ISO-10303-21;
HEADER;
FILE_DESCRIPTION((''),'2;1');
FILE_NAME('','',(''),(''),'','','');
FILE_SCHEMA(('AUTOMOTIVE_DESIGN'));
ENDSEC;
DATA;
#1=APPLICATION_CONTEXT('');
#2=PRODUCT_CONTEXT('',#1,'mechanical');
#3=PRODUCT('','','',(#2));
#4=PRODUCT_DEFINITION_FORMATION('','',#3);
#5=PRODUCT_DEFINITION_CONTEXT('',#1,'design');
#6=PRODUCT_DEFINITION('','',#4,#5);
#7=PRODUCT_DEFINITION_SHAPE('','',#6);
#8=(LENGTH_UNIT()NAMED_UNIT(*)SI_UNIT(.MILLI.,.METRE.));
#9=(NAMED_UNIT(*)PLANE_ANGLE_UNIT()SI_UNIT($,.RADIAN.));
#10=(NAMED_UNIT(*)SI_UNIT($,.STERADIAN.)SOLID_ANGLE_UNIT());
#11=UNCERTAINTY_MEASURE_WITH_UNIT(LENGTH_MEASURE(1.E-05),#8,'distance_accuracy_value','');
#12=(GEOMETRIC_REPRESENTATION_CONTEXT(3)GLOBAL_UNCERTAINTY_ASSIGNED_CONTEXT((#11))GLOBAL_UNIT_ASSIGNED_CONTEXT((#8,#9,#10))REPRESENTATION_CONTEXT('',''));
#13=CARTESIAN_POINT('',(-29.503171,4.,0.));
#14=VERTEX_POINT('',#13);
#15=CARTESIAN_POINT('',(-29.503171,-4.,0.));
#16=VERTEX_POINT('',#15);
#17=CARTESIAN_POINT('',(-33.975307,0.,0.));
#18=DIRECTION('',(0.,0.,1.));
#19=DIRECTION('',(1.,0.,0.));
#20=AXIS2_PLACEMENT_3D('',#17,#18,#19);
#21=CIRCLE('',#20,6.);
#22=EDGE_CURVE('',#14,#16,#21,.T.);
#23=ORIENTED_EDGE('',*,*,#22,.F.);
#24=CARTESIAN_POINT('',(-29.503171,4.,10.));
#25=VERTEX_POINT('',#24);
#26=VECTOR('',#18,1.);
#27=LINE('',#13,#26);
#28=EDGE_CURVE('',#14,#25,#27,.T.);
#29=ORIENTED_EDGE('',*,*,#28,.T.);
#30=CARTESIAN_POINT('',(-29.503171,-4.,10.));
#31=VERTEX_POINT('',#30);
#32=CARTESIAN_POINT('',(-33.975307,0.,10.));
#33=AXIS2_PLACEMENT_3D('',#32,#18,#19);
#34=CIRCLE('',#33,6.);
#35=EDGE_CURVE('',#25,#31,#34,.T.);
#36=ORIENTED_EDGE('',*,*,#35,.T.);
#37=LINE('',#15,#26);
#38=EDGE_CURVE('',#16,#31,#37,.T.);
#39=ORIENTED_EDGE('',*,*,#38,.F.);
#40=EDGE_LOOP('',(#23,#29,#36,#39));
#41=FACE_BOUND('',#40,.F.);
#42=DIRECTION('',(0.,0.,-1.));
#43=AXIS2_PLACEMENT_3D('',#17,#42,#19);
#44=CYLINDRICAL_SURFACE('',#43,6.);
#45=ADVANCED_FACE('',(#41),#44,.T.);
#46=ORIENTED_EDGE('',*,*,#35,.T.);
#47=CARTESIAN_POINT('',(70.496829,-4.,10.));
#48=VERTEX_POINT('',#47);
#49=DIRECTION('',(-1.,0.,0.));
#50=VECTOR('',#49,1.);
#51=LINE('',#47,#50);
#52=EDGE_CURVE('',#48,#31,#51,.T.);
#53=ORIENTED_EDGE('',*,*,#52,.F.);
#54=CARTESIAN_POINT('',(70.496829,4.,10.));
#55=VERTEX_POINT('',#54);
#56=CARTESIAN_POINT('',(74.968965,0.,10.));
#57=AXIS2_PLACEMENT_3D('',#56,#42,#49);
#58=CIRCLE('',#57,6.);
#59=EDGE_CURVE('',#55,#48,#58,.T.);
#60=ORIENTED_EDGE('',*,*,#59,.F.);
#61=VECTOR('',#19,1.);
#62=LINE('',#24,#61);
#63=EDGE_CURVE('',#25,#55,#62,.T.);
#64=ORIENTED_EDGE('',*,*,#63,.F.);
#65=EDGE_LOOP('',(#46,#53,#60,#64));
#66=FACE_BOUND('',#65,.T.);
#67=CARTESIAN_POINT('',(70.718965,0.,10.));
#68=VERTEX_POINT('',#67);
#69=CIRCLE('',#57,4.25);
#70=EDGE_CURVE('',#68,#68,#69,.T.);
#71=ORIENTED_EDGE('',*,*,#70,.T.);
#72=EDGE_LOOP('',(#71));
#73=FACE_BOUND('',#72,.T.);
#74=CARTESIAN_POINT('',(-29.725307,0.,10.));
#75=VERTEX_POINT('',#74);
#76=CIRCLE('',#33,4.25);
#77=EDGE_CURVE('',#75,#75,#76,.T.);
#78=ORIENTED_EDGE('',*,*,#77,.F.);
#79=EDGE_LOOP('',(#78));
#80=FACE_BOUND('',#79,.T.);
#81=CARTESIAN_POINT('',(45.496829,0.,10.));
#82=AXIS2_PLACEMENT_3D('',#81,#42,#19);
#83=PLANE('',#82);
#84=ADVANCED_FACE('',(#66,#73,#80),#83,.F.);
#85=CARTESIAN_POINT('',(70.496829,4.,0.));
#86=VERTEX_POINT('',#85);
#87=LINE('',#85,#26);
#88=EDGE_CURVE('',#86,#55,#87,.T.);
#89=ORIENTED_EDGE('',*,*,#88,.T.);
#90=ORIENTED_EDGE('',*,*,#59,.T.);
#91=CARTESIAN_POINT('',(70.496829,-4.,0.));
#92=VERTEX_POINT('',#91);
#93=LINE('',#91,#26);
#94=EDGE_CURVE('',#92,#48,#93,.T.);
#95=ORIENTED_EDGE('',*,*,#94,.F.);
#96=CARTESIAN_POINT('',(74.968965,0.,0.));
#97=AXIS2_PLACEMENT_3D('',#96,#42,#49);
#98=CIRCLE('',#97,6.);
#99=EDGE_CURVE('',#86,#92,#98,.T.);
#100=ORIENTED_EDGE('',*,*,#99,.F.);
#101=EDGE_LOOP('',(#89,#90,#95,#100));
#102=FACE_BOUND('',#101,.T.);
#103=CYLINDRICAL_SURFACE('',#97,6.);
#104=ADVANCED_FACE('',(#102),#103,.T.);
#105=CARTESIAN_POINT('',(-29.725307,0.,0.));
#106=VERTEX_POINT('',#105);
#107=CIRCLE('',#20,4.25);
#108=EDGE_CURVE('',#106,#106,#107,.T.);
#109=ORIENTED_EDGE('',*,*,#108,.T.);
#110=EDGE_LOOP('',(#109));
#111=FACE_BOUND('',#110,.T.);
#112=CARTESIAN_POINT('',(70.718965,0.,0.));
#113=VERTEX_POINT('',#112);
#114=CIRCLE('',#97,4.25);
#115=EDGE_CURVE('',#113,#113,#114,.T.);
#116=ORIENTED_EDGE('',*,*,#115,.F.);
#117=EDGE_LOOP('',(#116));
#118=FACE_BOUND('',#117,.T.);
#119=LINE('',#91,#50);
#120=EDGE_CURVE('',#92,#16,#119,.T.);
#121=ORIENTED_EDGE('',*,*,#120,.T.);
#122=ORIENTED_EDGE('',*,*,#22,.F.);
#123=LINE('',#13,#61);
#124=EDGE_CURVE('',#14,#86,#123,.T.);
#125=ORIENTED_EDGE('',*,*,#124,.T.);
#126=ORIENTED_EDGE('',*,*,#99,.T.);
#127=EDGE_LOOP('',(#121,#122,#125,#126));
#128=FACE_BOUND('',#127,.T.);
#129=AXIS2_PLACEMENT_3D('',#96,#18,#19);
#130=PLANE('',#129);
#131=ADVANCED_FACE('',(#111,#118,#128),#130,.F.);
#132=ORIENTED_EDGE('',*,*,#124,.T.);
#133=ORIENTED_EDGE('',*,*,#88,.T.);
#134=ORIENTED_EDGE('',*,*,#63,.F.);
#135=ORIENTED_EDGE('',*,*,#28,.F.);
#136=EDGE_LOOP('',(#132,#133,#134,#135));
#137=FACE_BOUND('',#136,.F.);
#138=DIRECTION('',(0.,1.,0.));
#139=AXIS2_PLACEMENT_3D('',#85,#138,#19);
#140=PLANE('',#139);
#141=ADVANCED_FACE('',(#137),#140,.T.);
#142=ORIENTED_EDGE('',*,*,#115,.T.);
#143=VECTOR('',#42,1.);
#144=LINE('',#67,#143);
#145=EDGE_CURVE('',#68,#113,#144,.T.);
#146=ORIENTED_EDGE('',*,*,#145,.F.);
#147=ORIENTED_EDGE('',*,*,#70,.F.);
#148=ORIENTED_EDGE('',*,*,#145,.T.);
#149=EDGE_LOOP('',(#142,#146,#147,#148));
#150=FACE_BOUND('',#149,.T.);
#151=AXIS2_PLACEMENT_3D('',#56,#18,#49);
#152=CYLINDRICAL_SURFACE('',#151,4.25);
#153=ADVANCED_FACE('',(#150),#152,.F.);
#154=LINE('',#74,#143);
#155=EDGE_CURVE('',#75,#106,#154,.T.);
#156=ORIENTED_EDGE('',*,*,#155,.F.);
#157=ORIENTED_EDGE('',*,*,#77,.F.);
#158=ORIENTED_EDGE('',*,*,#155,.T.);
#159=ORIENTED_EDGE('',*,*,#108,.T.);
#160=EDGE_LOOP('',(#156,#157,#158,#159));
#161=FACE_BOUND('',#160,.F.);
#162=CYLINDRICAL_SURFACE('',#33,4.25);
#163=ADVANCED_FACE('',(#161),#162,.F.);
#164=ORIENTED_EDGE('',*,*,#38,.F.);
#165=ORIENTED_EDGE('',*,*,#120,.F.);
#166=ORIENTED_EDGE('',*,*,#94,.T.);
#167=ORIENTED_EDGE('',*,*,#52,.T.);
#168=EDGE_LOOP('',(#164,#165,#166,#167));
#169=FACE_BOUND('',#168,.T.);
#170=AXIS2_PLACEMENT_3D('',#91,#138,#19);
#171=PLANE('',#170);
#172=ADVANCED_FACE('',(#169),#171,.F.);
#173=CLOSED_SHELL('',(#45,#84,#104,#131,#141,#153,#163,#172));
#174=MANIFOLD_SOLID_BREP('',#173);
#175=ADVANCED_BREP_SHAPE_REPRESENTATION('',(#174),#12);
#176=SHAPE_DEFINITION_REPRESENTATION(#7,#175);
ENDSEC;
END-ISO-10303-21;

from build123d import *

# Parameters (mm, degrees)
F0_R     = 6
F1_DEPTH = 10
F2_R     = 4.25
F3_DEPTH = 10
F4_W     = 50
F4_H     = 8
F5_DEPTH = 10


with BuildPart() as f1:
    # F0 (on Top) → F1 (new body)
    with BuildSketch(Plane.XY):
        with Locations((-33.975307, 0)):
            Circle(F0_R)
    extrude(amount=F1_DEPTH)

    # F2 (on face) → F3 (cut)
    with BuildSketch(Plane.XY.offset(10)):
        with Locations((-33.975307, 0)):
            Circle(F2_R)
    extrude(amount=-F3_DEPTH, mode=Mode.SUBTRACT)

    # F4 (on face) → F5 (join)
    with BuildSketch(Plane(origin=(0, 0, 0), x_dir=(1, 0, 0), z_dir=(0, 0, -1))):
        with Locations((-4.503171, 0)):
            Rectangle(F4_W, F4_H)
    extrude(amount=-F5_DEPTH)

    # F6: F1 across face


with BuildPart() as f1_1:
    add(f1.part)
    add(f1.part.mirror(Plane(origin=(20.496829, 0, 5), x_dir=(0, 1, 0), z_dir=(1, 0, 0))))


solid = f1_1.part
